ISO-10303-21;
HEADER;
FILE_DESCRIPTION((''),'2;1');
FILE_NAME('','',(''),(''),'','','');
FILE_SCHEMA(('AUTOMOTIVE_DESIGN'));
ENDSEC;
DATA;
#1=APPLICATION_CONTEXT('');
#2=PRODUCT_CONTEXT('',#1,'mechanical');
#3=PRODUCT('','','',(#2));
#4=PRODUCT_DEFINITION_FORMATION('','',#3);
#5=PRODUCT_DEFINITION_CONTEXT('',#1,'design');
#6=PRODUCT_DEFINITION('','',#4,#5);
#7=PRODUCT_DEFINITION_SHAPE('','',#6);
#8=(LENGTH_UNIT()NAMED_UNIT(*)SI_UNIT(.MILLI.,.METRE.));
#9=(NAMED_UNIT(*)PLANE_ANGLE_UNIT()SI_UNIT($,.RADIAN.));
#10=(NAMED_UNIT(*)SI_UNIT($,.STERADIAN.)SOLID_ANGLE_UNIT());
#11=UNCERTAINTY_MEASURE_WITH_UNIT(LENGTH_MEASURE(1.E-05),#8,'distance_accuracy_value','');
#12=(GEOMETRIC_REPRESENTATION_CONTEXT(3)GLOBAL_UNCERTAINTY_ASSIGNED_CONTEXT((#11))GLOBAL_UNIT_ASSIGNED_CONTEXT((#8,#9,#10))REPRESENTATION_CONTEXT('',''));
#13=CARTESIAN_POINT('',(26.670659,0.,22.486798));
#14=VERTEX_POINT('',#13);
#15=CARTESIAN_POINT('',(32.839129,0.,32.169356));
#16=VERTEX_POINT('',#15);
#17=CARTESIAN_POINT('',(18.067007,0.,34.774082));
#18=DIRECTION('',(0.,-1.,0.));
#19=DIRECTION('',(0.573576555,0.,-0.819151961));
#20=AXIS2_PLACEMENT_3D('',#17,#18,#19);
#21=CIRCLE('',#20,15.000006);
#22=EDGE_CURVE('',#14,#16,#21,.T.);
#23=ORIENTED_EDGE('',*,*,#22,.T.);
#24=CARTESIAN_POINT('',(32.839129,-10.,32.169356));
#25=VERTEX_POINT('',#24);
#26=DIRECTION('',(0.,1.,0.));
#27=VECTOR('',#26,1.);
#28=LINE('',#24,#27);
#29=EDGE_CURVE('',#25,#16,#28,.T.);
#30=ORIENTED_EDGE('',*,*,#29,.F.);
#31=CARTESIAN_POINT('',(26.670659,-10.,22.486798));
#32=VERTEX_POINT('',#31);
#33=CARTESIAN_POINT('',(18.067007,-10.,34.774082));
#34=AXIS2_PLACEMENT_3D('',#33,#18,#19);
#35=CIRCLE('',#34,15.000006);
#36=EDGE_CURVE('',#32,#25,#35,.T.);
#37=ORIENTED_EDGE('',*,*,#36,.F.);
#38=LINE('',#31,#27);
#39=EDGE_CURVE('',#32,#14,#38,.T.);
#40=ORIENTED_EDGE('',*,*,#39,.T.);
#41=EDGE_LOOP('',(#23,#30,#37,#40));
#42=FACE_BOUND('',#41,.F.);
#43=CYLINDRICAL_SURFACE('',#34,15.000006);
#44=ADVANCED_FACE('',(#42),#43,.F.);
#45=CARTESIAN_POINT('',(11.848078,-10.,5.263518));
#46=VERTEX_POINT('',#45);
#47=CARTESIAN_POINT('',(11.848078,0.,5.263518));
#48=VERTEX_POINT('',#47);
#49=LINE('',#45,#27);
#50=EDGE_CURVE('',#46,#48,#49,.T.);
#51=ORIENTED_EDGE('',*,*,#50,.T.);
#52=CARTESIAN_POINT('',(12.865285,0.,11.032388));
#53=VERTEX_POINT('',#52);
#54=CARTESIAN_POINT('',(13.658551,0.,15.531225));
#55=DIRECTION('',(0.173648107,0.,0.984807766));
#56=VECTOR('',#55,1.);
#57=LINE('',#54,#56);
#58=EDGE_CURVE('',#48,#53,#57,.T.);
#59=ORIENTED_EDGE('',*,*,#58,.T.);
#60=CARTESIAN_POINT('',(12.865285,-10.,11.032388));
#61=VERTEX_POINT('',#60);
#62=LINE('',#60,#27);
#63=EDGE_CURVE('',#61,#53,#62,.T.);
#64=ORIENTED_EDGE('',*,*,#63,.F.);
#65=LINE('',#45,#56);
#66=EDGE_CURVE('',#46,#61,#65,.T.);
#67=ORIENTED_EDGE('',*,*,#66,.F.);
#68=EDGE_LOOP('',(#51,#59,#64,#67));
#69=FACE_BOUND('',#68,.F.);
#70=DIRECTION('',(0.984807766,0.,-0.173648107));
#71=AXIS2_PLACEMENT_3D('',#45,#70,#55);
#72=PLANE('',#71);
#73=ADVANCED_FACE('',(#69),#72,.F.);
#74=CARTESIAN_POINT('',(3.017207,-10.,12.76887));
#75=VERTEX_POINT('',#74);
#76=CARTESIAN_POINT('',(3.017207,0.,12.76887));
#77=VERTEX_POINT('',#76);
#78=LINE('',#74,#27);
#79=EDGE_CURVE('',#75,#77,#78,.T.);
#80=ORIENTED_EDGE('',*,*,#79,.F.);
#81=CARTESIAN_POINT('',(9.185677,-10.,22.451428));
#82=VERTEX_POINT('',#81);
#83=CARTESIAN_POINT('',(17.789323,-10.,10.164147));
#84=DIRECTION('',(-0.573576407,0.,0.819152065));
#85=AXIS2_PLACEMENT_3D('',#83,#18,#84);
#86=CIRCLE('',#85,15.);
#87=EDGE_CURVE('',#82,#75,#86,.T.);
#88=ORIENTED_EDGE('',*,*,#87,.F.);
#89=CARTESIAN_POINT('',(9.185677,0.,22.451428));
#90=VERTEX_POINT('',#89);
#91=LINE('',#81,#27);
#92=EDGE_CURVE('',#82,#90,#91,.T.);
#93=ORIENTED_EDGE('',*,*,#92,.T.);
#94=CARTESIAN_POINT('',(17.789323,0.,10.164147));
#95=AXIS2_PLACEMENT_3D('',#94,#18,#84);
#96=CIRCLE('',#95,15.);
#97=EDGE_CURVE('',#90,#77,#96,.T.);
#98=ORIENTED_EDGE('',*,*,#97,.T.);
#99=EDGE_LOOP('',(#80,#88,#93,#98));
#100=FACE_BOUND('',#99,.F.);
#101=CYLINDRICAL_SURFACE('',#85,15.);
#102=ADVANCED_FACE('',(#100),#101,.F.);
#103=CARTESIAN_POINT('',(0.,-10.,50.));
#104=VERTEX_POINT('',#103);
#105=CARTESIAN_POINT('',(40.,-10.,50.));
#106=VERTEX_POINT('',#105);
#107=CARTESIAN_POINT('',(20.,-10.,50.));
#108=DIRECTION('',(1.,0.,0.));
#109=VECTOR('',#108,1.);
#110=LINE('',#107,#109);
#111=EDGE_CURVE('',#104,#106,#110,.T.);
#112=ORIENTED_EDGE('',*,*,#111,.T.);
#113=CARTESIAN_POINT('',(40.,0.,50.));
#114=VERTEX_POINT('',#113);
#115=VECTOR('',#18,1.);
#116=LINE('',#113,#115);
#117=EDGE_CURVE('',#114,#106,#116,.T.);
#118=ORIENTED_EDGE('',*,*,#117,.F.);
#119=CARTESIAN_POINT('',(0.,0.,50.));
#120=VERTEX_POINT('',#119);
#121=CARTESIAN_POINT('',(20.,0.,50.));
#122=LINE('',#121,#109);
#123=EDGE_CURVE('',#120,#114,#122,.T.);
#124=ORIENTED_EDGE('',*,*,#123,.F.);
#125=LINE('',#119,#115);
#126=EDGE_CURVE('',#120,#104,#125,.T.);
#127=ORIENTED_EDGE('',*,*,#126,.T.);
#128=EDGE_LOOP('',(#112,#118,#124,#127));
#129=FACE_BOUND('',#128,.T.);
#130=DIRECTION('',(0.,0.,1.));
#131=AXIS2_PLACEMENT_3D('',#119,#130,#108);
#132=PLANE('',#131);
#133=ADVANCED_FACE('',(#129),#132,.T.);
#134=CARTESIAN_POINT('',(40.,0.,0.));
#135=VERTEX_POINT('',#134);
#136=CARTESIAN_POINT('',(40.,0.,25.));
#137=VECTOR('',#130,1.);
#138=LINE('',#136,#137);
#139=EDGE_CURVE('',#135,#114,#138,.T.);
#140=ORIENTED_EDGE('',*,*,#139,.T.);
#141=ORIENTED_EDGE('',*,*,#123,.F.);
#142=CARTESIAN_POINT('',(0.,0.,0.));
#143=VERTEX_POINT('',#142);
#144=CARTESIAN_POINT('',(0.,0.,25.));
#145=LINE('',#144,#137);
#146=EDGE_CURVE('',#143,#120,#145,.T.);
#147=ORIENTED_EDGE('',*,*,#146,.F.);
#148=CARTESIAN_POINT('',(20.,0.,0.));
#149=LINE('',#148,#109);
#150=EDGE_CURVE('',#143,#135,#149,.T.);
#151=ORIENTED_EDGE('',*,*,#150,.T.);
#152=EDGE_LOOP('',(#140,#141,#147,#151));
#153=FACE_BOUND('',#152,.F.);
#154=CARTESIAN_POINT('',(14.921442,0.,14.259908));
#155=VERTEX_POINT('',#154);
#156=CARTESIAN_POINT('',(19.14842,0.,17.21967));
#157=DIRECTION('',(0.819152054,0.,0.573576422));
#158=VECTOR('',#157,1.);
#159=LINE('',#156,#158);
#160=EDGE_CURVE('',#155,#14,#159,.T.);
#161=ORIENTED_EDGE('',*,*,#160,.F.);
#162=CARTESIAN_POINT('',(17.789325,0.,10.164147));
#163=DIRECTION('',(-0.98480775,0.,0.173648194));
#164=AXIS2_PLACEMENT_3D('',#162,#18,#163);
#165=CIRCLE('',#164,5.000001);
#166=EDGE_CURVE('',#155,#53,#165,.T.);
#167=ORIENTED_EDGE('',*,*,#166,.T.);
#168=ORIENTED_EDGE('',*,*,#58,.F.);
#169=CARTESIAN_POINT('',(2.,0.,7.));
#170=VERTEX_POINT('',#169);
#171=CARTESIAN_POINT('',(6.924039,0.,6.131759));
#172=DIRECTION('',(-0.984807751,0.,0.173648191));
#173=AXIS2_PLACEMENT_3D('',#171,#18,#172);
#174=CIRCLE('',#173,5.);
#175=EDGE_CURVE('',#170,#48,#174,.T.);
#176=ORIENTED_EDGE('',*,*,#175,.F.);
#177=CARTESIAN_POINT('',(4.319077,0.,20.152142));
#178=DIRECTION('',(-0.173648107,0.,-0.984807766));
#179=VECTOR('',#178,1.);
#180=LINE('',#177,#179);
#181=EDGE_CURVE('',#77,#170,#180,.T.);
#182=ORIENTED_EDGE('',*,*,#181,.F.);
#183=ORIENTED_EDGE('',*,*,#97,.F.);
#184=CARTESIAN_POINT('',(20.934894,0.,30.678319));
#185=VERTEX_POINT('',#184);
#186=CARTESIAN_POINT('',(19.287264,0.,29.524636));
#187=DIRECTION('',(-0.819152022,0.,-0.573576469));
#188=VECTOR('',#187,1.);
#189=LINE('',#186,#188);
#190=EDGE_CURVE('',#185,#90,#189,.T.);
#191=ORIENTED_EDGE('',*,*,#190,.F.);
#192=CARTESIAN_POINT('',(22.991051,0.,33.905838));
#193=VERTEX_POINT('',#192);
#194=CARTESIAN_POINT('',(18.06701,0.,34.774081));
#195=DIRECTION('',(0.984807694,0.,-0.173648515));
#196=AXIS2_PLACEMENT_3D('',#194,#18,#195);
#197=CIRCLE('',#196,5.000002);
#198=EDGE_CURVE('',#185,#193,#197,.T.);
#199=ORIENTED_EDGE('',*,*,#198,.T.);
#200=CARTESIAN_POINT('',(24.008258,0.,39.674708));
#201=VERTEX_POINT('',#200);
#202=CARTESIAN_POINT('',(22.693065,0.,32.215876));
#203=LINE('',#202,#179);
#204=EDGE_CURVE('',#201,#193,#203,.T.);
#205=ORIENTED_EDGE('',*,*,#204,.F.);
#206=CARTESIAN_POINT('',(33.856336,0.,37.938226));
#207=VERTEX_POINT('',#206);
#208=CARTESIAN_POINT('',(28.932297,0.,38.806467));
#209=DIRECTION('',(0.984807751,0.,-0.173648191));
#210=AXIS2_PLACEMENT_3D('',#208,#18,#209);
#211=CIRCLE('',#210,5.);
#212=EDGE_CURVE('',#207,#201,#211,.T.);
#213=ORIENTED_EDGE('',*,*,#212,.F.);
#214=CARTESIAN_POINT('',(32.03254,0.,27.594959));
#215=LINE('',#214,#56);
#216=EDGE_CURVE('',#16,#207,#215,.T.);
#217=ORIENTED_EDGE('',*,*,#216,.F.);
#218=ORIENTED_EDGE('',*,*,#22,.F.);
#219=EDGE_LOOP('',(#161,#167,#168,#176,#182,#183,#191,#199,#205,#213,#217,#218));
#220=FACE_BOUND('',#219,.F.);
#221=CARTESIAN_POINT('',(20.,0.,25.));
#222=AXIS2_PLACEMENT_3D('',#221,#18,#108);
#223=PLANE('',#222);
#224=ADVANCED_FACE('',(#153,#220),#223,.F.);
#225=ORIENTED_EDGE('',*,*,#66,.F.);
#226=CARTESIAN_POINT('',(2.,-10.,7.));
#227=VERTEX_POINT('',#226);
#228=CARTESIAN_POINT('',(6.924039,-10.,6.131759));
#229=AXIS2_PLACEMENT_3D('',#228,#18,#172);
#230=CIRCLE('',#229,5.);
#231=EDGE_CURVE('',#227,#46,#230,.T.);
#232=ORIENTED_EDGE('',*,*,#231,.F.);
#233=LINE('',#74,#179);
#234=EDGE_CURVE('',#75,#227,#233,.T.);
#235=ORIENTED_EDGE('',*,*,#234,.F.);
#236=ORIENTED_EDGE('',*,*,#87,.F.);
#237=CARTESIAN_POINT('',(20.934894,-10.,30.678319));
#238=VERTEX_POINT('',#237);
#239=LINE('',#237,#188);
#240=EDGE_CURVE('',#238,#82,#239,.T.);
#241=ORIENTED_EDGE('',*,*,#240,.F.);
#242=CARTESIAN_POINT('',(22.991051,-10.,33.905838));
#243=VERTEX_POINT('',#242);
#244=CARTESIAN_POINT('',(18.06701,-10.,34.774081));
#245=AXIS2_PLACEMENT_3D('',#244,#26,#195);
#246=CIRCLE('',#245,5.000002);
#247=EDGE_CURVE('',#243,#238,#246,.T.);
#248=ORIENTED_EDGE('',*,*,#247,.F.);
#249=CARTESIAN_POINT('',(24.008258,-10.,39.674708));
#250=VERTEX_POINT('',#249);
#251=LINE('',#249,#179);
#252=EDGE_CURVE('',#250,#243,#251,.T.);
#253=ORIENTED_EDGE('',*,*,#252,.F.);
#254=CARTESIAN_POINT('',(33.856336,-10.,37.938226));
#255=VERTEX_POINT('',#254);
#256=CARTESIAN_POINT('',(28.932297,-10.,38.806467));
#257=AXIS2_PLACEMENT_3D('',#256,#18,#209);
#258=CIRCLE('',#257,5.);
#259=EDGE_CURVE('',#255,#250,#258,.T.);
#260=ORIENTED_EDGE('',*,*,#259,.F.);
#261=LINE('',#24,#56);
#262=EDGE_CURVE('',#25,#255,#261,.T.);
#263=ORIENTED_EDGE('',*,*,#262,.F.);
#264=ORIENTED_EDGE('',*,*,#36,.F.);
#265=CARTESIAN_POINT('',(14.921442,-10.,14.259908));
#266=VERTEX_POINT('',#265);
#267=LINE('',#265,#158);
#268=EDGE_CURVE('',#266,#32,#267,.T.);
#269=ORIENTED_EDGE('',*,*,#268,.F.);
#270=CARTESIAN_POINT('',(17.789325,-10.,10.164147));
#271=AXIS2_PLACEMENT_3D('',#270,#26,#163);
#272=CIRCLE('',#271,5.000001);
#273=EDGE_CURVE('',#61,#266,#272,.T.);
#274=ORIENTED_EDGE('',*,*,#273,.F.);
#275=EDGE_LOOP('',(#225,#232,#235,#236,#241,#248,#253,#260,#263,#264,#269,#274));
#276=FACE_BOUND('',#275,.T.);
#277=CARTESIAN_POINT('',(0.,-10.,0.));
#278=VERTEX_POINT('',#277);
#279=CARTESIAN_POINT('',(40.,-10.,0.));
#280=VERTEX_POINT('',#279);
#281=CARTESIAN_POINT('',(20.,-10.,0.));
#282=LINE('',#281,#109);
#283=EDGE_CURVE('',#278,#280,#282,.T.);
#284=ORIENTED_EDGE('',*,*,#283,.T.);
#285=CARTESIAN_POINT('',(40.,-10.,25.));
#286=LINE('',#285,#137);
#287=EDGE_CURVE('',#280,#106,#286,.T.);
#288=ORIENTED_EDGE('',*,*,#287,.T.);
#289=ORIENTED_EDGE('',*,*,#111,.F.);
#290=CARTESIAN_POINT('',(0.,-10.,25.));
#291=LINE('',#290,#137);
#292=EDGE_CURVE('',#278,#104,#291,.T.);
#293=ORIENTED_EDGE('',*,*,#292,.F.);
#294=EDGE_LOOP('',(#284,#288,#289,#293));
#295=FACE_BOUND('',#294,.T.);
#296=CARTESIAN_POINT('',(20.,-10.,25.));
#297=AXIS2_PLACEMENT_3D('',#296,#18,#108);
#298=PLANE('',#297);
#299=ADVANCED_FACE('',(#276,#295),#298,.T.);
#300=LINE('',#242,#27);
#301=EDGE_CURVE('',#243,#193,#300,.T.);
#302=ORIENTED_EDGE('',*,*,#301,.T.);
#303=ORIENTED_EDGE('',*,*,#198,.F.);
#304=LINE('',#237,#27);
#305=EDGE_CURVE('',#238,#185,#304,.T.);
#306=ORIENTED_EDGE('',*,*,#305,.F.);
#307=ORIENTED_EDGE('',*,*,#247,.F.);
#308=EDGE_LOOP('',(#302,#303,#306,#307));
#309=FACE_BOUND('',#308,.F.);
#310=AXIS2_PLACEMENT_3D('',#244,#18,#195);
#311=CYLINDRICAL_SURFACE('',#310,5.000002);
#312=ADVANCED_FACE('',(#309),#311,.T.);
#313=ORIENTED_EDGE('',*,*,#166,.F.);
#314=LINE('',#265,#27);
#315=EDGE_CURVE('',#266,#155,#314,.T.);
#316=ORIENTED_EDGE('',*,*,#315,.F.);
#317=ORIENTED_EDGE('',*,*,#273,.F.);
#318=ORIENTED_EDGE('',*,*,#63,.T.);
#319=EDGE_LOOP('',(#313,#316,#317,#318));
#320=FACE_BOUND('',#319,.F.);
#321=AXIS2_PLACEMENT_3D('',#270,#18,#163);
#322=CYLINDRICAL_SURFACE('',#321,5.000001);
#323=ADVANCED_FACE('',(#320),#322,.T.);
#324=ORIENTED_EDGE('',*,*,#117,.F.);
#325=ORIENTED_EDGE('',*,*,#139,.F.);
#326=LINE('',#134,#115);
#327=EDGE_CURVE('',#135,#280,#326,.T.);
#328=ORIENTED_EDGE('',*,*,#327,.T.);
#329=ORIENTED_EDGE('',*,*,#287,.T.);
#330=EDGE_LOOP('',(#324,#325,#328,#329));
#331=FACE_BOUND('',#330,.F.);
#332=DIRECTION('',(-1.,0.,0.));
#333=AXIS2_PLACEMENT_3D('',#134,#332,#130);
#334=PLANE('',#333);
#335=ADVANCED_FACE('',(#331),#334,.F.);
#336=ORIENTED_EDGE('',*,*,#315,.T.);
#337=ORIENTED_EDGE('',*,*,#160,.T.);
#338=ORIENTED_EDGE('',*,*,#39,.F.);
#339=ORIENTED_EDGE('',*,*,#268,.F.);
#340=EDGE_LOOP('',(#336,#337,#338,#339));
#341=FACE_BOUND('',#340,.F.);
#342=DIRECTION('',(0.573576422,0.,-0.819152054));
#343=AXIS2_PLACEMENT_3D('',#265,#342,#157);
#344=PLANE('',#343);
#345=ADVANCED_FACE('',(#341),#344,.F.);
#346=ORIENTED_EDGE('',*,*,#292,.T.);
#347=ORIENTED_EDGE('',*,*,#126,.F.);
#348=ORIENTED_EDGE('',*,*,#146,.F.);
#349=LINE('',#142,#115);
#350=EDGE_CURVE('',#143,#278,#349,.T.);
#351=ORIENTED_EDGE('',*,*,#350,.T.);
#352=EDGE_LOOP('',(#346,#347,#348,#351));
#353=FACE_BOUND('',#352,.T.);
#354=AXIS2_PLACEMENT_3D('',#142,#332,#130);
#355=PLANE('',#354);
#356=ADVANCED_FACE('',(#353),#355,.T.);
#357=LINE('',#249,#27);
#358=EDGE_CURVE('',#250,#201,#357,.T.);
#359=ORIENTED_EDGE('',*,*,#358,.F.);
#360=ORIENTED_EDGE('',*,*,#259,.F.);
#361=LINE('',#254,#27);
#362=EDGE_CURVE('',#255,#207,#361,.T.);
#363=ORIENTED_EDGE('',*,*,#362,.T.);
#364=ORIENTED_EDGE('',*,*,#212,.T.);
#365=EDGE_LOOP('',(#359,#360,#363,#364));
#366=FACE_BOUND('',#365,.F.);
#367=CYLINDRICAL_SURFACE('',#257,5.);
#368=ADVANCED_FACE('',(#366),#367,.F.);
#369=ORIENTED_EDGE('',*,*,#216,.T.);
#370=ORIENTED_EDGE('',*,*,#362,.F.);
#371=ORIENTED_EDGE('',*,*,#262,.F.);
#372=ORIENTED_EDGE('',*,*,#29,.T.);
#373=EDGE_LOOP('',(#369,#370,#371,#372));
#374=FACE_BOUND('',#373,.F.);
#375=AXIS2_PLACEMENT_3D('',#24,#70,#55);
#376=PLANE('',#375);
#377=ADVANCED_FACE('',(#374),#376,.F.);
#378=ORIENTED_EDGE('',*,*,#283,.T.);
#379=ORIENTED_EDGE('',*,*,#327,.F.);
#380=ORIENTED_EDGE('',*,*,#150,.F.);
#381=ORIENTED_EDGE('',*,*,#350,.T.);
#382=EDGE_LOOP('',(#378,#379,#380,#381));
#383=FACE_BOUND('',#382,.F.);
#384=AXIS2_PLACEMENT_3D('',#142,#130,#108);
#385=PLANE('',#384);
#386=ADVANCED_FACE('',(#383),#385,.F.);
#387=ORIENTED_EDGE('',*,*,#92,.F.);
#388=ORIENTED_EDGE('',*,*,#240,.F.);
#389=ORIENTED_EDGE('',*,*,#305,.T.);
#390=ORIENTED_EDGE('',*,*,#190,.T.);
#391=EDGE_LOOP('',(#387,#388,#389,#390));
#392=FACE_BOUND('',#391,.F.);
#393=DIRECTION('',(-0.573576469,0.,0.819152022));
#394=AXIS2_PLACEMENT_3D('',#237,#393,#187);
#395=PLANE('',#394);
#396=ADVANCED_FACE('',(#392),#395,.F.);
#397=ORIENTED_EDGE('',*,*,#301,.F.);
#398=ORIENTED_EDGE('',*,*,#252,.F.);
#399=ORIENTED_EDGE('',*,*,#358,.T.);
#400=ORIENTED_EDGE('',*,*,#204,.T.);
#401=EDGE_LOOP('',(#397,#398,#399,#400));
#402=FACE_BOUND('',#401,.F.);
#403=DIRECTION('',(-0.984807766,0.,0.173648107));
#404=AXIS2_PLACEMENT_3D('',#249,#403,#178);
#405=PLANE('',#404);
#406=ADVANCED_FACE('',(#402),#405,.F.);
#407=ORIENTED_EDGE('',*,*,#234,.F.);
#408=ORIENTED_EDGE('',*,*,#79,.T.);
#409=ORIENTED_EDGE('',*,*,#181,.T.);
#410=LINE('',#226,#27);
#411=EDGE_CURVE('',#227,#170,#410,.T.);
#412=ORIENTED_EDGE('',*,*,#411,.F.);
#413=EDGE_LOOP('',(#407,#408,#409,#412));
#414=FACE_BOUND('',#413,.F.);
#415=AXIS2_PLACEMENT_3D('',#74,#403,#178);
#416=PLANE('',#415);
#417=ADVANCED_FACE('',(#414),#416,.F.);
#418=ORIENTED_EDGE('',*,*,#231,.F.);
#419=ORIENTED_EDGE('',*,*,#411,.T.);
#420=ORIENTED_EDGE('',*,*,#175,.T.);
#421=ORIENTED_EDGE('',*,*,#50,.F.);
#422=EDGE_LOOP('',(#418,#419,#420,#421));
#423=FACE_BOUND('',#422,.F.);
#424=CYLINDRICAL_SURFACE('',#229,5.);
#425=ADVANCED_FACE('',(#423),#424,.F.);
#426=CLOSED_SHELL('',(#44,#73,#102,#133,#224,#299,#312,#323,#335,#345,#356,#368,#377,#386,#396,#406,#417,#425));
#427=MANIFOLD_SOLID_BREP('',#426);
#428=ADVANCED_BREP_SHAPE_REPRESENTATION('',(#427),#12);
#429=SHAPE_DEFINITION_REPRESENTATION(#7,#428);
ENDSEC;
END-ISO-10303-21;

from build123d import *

# Parameters (mm, degrees)
F0_W     = 40
F0_H     = 50
F1_DEPTH = 10
F3_DEPTH = 10.001


with BuildPart() as f1:
    # F0 (on Front) → F1 (new body)
    with BuildSketch(Plane.XZ):
        with Locations((20, 25)):
            Rectangle(F0_W, F0_H)
    extrude(amount=F1_DEPTH)

    # F2 (on face) → F3 (cut, through all)
    with BuildSketch(Plane.XZ.offset(10)):
        with BuildLine():
            Line((3.017207, 12.76887), (2, 7))
            ThreePointArc((2, 7), (6.055798, 1.20772), (11.848078, 5.263518))
            Line((11.848078, 5.263518), (12.865285, 11.032388))
            ThreePointArc((12.865285, 11.032388), (13.572367, 12.850646), (14.921442, 14.259908))
            Line((14.921442, 14.259908), (26.670659, 22.486798))
            ThreePointArc((26.670659, 22.486798), (30.717884, 26.714585), (32.839129, 32.169356))
            Line((32.839129, 32.169356), (33.856336, 37.938226))
            ThreePointArc((33.856336, 37.938226), (29.800538, 43.730506), (24.008258, 39.674708))
            Line((24.008258, 39.674708), (22.991051, 33.905838))
            ThreePointArc((22.991051, 33.905838), (22.283969, 32.087581), (20.934894, 30.678319))
            Line((20.934894, 30.678319), (9.185677, 22.451428))
            ThreePointArc((9.185677, 22.451428), (5.138452, 18.223642), (3.017207, 12.76887))
        make_face()
    extrude(amount=-F3_DEPTH, mode=Mode.SUBTRACT)


solid = f1.part
